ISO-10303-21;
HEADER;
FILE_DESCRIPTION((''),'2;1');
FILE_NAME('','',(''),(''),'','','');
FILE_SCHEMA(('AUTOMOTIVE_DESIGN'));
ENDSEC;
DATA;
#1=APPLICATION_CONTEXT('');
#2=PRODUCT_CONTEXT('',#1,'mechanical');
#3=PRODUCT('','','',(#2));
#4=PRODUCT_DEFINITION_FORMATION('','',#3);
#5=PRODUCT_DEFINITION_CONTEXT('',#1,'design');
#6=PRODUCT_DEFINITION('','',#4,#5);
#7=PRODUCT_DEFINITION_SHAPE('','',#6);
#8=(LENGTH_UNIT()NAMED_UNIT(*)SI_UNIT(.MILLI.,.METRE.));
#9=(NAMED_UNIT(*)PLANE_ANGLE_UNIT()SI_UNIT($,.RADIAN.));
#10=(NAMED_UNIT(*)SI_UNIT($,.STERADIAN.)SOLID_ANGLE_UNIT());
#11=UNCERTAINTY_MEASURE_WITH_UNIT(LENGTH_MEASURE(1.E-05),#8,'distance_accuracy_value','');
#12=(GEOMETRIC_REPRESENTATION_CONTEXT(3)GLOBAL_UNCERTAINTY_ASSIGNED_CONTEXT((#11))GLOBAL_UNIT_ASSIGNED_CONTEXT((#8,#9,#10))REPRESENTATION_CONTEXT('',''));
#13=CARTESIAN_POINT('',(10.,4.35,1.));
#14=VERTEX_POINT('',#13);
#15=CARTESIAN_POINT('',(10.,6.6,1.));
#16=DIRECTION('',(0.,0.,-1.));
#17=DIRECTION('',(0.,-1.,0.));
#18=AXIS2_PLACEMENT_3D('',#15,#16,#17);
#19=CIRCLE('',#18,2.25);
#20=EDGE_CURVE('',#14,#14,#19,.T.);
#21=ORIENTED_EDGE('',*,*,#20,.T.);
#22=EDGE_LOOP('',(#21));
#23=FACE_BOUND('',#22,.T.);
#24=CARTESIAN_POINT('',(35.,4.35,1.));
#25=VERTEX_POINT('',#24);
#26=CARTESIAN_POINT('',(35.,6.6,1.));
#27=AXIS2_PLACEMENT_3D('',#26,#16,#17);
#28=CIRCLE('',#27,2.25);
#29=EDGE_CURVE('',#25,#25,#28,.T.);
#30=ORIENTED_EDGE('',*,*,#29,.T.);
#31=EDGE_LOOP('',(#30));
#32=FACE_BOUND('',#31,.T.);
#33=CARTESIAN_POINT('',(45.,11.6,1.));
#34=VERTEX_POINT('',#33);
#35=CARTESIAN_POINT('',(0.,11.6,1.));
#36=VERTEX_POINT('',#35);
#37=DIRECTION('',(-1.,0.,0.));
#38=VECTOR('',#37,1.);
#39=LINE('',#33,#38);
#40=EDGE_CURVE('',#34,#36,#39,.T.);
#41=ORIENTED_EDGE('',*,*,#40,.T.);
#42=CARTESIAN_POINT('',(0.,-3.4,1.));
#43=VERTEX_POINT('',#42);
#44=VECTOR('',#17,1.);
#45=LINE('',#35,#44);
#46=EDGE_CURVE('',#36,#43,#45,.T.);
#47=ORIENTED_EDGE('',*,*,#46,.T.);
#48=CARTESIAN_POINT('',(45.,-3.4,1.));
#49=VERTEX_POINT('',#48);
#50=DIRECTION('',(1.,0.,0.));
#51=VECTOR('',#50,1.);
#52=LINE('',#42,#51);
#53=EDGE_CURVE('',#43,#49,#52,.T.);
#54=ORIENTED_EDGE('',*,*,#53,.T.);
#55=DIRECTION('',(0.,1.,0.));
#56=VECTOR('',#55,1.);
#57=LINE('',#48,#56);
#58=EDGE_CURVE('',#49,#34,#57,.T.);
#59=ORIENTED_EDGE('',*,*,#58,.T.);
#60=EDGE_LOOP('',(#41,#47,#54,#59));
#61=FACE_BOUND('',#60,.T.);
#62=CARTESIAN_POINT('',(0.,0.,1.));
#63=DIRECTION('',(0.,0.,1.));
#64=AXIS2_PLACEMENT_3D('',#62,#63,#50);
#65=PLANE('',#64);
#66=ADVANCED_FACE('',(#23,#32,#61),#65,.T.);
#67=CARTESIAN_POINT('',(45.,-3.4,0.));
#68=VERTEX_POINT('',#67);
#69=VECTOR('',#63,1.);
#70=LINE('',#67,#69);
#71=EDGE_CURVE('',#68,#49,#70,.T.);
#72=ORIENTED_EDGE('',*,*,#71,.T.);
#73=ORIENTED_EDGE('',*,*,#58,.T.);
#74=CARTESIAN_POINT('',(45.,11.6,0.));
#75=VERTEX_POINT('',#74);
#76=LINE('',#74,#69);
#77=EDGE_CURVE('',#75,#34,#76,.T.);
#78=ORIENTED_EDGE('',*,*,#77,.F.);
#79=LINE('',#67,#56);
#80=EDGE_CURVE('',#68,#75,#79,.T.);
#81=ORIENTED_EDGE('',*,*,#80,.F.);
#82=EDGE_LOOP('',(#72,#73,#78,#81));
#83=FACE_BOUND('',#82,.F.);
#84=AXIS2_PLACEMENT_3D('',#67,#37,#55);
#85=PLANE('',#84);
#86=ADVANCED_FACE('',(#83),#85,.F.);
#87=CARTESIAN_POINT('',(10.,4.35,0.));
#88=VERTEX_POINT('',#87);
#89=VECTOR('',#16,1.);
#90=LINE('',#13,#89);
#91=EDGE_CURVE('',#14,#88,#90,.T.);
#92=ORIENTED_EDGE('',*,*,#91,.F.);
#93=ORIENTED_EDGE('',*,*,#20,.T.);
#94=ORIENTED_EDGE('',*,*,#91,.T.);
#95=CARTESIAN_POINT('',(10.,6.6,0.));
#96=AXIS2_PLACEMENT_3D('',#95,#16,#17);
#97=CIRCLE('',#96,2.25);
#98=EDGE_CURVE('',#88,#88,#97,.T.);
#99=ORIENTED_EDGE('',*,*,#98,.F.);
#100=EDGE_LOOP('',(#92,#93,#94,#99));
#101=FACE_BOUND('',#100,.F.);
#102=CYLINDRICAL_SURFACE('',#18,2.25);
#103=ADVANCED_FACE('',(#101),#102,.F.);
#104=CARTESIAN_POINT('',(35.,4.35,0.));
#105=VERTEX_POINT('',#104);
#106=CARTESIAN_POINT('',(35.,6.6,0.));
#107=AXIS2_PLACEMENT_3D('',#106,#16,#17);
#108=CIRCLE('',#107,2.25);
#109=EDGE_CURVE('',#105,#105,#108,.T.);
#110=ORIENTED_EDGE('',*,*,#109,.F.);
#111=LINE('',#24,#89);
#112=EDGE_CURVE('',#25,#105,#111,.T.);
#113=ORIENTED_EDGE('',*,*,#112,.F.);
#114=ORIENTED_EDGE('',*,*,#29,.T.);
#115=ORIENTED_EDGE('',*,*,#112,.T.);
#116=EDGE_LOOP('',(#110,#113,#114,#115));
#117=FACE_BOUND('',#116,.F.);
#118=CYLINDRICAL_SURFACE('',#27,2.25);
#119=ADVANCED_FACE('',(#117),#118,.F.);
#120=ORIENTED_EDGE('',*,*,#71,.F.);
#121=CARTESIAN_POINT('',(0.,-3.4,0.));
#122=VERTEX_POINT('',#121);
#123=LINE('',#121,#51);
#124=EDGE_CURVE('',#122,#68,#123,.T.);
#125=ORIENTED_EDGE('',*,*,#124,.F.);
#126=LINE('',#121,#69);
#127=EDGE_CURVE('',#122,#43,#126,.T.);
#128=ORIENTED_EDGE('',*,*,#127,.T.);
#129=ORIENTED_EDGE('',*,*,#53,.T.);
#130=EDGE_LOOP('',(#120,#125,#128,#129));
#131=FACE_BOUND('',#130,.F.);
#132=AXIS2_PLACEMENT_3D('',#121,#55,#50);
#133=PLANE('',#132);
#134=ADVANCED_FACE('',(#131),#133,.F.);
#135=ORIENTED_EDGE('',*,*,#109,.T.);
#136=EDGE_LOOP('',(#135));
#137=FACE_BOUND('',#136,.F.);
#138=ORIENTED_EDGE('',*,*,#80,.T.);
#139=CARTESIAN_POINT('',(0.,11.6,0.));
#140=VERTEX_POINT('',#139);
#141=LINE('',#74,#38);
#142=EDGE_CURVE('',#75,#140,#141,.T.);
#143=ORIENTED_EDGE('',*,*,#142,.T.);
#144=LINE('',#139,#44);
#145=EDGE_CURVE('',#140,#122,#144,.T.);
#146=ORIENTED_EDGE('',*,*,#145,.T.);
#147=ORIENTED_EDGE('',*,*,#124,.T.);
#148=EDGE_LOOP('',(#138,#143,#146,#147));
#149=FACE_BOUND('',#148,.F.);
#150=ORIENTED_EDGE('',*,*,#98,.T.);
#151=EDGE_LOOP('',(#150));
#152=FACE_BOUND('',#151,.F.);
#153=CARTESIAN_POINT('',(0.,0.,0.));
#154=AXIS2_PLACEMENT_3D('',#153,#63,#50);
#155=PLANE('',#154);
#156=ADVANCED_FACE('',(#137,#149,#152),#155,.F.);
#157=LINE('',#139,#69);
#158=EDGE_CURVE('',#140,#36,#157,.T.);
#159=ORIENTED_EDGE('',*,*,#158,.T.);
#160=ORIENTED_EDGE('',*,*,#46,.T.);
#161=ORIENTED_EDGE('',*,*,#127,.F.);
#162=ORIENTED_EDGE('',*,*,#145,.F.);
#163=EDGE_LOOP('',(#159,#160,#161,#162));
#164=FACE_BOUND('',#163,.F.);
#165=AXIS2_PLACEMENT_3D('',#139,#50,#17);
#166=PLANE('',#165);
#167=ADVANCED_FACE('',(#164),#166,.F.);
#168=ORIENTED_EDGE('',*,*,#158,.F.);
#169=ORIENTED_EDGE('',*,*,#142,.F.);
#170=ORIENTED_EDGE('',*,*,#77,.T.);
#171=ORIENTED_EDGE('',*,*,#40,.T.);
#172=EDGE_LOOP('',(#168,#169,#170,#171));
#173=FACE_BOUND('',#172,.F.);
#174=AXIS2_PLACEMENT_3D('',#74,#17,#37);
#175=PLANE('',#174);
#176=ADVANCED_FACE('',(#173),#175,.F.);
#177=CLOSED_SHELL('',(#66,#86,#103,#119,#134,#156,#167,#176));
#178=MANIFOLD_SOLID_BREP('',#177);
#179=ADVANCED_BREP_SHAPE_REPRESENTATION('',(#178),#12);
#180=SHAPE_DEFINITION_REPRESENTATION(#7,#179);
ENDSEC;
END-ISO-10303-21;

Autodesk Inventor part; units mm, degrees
ref_plane "YZ Plane" through (0, 0, 0) normal (1, 0, 0) x (0, 1, 0)
ref_plane "XZ Plane" through (0, 0, 0) normal (0, 1, 0) x (-1, 0, 0)
ref_plane "XY Plane" through (0, 0, 0) normal (0, 0, 1) x (1, 0, 0)
sketch "Sketch1" plane through (0, 0, 0) normal (0, 0, 1) x (1, 0, 0)
  line L0 (0, -3.4) -> (45, -3.4)
  line L1 (45, -3.4) -> (45, 11.6)
  line L2 (45, 11.6) -> (0, 11.6)
  line L3 (0, 11.6) -> (0, -3.4)
  point P0 (0, 0)
  dimension "d1" = 3.4
  dimension "d2" = 45
  dimension "d3" = 45
  dimension "d4" = 15
extrude "Plate1" add sketch "Sketch1" along normal blind 1
sketch "Sketch2" plane through (0, 0, 1) normal (0, 0, 1) x (1, 0, 0)
  line L0 (45, -3.4) -> (0, -3.4) projected
  line L1 (45, 11.6) -> (45, -3.4) projected
  line L2 (0, -3.4) -> (0, 11.6) projected
  point P0 (0, 0)
  point P1 (35, 6.6)
  point P2 (10, 6.6)
  dimension "d5" = 10
  dimension "d6" = 10
  dimension "d7" = 10
hole "Hole1" at (35, 6.6, 1) at (10, 6.6, 1) direction (0, 0, -1) diameter 4.5 end through all
equation "\"d13\" = Thickness"
equation "\"d0\" = Thickness"
equation "\"BendRadius\" = Thickness"
equation "\"BendReliefWidth\" = Thickness"
equation "\"BendReliefDepth\" = 0.5 * Thickness"
equation "\"CornerReliefSize\" = 4 * Thickness"
equation "\"MinimumRemnant\" = 2 * Thickness"
equation "\"TransitionRadius\" = BendRadius"
equation "\"JacobiRadiusSize\" = BendRadius"
equation "\"GapSize\" = Thickness"
equation "\"Thickness\" = 1"
properties part number "Pletina Terminal V2" material "Steel, Carbon"
